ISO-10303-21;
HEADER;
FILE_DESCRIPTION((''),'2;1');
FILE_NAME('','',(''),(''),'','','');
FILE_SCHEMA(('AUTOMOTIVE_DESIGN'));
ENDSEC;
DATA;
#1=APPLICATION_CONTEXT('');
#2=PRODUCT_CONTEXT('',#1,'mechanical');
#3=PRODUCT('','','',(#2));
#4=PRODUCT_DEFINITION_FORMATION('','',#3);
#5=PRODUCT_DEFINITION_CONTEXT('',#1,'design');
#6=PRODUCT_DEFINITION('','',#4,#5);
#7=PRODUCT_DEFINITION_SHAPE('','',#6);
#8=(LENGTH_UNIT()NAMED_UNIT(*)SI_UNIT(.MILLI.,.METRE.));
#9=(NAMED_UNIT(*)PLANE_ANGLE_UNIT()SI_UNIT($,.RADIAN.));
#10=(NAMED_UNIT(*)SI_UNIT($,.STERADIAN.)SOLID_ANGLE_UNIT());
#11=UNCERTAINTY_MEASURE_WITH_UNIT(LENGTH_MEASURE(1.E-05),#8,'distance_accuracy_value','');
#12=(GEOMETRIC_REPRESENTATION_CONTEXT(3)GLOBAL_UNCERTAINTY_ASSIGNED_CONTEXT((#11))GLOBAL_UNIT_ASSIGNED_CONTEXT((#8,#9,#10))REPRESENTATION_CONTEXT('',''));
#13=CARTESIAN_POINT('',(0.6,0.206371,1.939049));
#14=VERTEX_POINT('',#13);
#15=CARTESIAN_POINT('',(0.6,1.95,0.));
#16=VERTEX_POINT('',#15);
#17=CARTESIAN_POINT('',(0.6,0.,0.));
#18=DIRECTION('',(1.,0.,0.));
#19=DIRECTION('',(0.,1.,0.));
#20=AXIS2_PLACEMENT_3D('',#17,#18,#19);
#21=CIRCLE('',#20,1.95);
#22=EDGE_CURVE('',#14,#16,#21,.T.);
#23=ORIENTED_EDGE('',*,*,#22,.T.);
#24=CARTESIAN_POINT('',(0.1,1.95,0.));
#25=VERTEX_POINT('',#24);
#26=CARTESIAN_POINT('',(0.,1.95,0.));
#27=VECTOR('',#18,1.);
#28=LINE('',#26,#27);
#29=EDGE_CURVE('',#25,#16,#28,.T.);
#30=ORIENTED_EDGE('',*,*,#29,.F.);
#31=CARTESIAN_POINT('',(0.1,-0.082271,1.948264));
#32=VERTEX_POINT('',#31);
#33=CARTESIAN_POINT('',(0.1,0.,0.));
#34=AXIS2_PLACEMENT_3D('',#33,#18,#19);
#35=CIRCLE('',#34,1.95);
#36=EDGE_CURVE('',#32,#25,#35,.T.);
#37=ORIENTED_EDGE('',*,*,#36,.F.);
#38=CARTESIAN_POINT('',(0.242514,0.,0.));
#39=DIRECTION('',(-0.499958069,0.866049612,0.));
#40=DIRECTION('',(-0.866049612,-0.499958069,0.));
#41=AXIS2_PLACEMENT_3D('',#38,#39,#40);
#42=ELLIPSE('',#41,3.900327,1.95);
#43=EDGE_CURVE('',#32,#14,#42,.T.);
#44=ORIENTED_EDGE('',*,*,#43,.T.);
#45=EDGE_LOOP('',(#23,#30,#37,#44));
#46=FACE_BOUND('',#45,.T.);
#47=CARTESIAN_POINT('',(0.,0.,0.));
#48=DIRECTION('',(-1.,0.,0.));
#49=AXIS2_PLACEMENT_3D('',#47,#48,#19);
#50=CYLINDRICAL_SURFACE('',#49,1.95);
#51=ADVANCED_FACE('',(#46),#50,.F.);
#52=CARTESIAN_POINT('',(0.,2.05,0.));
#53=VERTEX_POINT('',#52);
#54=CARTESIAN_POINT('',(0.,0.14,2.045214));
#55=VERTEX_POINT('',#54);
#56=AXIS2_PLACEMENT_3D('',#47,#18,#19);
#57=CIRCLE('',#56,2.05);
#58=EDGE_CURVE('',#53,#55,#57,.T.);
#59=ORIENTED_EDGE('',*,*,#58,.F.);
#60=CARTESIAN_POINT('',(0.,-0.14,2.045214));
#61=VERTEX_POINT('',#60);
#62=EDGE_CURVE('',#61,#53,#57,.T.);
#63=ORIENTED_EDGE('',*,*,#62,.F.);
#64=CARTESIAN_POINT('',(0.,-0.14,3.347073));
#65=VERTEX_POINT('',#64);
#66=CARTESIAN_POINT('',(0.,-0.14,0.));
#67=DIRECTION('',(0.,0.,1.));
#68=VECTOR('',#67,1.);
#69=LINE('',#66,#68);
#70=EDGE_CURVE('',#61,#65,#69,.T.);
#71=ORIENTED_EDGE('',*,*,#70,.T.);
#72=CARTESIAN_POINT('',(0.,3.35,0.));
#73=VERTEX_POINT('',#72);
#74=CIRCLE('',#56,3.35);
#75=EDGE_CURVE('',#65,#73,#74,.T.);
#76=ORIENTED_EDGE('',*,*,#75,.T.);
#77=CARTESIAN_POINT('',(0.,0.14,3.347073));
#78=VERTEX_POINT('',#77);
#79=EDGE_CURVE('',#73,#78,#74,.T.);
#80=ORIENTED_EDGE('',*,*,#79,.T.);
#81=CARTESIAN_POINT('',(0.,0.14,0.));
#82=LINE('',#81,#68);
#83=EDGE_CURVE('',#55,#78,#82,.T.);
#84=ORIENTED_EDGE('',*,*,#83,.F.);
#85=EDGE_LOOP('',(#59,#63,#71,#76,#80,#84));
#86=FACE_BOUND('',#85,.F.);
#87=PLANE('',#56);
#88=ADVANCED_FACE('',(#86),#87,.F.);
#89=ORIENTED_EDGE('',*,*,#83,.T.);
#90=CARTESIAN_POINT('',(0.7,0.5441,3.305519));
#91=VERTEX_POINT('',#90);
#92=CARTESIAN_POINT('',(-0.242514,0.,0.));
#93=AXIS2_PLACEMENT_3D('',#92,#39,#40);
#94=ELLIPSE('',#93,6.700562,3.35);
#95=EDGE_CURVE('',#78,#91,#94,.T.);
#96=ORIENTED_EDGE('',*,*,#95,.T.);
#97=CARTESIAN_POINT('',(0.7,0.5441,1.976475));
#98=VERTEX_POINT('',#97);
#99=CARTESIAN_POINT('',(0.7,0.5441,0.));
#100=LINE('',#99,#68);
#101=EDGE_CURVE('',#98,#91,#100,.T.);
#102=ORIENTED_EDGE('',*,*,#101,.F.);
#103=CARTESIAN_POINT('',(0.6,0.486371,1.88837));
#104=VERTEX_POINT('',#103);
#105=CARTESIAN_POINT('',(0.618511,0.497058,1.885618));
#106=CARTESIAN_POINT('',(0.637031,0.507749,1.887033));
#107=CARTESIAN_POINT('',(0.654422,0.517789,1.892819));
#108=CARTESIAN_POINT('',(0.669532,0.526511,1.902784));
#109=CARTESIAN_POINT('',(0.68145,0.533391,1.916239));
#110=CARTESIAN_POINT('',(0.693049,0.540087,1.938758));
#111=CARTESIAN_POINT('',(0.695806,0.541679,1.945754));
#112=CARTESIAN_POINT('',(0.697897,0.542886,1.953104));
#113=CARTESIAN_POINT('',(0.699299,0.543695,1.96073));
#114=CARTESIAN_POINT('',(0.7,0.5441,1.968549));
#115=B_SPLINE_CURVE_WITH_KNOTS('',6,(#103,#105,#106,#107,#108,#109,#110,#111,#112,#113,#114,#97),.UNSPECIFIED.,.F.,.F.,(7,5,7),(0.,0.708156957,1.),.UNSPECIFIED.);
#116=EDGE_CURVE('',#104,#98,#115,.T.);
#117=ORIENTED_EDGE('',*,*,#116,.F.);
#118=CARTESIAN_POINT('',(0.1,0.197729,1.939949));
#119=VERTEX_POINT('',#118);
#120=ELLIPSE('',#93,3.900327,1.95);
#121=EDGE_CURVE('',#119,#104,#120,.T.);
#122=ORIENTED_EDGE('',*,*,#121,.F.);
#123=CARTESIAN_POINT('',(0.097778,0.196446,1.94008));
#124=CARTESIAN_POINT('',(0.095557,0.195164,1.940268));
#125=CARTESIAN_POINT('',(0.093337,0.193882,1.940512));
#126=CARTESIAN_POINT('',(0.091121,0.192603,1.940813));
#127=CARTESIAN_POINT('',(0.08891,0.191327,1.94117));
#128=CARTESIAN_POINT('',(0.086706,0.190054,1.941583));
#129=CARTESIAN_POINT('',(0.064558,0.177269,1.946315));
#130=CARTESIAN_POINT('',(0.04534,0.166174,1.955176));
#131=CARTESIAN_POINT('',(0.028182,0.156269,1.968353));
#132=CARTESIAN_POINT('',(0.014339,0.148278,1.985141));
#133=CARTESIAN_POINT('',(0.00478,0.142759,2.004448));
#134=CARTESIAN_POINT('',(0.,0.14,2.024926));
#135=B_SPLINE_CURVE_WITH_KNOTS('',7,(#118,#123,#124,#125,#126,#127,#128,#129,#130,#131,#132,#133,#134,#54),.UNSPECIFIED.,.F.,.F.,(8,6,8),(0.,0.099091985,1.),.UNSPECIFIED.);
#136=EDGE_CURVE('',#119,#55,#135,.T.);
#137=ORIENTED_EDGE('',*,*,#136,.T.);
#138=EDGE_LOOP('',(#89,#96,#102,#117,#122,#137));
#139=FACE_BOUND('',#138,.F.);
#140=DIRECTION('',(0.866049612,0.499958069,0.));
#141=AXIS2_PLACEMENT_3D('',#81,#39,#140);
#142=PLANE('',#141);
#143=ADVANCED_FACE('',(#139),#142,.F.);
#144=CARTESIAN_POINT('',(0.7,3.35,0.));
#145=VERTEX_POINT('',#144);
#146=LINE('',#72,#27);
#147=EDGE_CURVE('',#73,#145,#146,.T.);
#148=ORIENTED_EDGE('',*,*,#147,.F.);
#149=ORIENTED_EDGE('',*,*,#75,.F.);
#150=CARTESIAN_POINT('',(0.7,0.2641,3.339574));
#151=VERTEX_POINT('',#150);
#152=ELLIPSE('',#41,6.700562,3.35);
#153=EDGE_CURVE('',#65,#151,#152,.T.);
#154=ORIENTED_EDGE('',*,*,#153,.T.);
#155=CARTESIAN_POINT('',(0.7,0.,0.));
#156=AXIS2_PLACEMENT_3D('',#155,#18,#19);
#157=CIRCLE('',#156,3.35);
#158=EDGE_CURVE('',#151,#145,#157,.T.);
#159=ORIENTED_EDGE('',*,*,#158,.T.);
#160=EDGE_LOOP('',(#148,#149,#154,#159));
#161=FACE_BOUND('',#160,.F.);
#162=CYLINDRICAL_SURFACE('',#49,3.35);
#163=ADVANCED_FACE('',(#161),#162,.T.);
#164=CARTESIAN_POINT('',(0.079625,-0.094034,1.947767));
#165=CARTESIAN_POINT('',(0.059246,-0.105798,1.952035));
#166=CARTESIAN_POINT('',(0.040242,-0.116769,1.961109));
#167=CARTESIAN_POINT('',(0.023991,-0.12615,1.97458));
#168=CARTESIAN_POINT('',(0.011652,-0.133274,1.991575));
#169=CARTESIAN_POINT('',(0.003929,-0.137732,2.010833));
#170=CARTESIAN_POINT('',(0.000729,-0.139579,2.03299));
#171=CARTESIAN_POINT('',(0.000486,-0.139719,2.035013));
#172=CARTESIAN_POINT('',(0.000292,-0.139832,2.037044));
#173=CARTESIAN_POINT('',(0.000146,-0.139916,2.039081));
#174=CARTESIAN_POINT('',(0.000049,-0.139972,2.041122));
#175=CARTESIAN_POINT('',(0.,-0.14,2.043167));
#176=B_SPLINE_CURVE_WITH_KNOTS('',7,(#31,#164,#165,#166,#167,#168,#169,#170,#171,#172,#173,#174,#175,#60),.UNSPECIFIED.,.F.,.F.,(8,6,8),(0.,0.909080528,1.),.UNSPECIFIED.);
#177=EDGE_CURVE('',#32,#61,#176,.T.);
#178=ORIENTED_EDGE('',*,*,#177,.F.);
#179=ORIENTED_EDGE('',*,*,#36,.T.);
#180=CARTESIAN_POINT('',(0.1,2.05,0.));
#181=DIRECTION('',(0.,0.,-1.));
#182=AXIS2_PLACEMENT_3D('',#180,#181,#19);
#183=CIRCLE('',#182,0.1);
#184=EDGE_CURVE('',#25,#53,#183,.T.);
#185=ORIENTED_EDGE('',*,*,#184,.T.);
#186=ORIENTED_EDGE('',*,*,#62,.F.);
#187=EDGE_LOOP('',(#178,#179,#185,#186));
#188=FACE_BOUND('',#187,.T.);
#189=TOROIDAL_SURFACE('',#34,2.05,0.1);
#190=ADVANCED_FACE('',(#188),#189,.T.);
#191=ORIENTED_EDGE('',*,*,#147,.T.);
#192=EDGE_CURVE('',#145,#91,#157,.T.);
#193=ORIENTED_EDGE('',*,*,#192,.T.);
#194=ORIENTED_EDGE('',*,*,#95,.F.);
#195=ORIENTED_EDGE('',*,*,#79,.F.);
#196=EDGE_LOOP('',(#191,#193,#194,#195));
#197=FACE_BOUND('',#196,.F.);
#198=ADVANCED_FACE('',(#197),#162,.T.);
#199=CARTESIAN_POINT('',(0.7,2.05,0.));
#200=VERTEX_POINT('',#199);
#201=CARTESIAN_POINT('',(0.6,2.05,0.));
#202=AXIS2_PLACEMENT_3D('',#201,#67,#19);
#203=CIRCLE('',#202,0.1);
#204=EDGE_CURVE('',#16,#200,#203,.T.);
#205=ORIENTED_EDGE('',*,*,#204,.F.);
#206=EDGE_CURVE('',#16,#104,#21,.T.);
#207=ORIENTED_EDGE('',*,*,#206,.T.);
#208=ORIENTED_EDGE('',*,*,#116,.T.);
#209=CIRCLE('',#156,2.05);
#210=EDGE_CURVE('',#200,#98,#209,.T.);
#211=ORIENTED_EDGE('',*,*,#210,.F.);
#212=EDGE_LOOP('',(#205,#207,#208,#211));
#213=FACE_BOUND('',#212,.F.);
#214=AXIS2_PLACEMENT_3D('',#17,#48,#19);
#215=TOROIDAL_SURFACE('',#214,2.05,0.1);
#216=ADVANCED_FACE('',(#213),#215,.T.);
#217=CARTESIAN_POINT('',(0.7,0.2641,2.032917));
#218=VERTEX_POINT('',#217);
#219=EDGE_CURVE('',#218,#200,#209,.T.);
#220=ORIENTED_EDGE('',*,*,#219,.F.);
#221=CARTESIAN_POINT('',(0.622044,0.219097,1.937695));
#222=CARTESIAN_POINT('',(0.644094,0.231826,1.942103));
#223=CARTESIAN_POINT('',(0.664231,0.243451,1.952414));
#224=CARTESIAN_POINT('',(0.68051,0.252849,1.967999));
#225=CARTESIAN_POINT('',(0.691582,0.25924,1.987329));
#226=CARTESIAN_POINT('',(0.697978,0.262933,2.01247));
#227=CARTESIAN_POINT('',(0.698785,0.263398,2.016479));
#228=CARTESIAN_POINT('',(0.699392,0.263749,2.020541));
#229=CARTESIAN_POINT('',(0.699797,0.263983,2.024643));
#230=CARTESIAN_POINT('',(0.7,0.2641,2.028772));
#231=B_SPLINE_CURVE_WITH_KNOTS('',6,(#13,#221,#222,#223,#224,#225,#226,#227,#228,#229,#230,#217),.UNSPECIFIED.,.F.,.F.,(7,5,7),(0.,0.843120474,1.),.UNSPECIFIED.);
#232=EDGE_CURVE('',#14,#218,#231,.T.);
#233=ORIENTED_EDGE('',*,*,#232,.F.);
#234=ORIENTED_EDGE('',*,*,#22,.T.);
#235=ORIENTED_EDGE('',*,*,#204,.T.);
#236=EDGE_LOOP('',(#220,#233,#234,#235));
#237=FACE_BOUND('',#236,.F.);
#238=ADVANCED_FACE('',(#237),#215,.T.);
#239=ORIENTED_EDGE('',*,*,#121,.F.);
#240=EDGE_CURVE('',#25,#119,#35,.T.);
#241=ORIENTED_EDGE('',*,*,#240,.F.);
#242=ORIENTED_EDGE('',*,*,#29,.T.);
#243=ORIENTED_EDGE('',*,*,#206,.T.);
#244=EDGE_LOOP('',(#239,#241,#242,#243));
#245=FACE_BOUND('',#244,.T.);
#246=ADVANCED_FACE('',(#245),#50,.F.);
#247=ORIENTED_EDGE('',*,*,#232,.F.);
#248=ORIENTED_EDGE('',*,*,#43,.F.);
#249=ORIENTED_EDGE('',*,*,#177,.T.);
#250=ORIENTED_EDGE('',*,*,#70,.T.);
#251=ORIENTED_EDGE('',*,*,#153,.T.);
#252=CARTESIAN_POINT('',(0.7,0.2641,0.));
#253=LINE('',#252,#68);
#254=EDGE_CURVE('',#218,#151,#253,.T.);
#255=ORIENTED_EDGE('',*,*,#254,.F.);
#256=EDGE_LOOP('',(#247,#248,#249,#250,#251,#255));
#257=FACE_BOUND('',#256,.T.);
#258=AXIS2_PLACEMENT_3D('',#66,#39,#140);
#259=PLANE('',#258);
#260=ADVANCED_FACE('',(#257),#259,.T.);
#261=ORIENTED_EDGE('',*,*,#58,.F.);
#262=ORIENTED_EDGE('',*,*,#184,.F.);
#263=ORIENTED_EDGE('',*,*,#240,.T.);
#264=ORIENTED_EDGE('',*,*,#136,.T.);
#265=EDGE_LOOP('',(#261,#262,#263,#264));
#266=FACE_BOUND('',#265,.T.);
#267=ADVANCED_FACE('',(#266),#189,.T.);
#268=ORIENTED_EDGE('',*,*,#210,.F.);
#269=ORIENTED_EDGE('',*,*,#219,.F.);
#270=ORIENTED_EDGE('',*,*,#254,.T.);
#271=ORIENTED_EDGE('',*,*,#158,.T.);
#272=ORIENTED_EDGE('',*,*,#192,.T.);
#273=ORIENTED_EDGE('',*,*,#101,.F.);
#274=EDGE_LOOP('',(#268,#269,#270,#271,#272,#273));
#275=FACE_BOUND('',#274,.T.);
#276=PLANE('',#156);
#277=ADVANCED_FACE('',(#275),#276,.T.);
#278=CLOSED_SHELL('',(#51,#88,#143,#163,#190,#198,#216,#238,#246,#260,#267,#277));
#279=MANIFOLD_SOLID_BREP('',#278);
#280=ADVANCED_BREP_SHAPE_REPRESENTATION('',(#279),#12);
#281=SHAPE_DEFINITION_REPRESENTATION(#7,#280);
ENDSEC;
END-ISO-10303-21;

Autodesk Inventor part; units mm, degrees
ref_plane "YZ Plane" through (0, 0, 0) normal (1, 0, 0) x (0, 1, 0)
ref_plane "XZ Plane" through (0, 0, 0) normal (0, 1, 0) x (-1, 0, 0)
sketch "Sketch1" plane through (0, 0, 0) normal (1, 0, 0) x (0, 1, 0)
  circle A0 centre (0, 0) radius 3.35
  circle A1 centre (0, 0) radius 1.95
  dimension "d0" = 3.9
  dimension "d1" = 6.7
extrude "Body" add sketch "Sketch1" along normal blind 0.7
fillet "Fillet" radius 0.1 2 edges at (0.7, -1.95, 0) (0, -1.95, 0)
sketch "Sketch2" plane through (0, 0, 0) normal (0, 0, 1) x (1, 0, 0)
  line L0 (0, -1.95) -> (0, 1.95) projected
  line L1 (0.7, 3.35) -> (0.7, -3.35) projected
  line L2 (-1.2, 0) -> (7.2, 0) projected
  line L3 (0, -0.14) -> (0.7, 0.2641)
  line L4 (0, 0.14) -> (0.7, 0.5441)
  dimension "d4" = 0.14
  dimension "d5" = 0.14
  dimension "d6" = 60
extrude "Cut" cut sketch "Sketch2" along normal up to next contours L0 L2 L3 | L0 L4 L1 L3 L2
ref_plane "Work Plane1" through (0, 0, 0) normal (0, -1, 0) x (1, 0, 0)
equation "\"d0\" = SD1"
equation "\"d1\" = SD2"
equation "\"d2\" = SD"
equation "\"d4\" = 0.2 * SD"
equation "\"d5\" = 0.2 * SD"
equation "\"d6\" = FAWI"
equation "\"d7\" = SD"
equation "\"d13\" = R"
equation "\"SD1\" = 3.9"
equation "\"SD2\" = 6.7"
equation "\"SD\" = 0.7"
equation "\"FAWI\" = 60deg"
equation "\"R\" = 0.1"
equation "\"NND\" = 3.5"
properties part number "DIN 128 - A3.5" material "Steel, Mild"
